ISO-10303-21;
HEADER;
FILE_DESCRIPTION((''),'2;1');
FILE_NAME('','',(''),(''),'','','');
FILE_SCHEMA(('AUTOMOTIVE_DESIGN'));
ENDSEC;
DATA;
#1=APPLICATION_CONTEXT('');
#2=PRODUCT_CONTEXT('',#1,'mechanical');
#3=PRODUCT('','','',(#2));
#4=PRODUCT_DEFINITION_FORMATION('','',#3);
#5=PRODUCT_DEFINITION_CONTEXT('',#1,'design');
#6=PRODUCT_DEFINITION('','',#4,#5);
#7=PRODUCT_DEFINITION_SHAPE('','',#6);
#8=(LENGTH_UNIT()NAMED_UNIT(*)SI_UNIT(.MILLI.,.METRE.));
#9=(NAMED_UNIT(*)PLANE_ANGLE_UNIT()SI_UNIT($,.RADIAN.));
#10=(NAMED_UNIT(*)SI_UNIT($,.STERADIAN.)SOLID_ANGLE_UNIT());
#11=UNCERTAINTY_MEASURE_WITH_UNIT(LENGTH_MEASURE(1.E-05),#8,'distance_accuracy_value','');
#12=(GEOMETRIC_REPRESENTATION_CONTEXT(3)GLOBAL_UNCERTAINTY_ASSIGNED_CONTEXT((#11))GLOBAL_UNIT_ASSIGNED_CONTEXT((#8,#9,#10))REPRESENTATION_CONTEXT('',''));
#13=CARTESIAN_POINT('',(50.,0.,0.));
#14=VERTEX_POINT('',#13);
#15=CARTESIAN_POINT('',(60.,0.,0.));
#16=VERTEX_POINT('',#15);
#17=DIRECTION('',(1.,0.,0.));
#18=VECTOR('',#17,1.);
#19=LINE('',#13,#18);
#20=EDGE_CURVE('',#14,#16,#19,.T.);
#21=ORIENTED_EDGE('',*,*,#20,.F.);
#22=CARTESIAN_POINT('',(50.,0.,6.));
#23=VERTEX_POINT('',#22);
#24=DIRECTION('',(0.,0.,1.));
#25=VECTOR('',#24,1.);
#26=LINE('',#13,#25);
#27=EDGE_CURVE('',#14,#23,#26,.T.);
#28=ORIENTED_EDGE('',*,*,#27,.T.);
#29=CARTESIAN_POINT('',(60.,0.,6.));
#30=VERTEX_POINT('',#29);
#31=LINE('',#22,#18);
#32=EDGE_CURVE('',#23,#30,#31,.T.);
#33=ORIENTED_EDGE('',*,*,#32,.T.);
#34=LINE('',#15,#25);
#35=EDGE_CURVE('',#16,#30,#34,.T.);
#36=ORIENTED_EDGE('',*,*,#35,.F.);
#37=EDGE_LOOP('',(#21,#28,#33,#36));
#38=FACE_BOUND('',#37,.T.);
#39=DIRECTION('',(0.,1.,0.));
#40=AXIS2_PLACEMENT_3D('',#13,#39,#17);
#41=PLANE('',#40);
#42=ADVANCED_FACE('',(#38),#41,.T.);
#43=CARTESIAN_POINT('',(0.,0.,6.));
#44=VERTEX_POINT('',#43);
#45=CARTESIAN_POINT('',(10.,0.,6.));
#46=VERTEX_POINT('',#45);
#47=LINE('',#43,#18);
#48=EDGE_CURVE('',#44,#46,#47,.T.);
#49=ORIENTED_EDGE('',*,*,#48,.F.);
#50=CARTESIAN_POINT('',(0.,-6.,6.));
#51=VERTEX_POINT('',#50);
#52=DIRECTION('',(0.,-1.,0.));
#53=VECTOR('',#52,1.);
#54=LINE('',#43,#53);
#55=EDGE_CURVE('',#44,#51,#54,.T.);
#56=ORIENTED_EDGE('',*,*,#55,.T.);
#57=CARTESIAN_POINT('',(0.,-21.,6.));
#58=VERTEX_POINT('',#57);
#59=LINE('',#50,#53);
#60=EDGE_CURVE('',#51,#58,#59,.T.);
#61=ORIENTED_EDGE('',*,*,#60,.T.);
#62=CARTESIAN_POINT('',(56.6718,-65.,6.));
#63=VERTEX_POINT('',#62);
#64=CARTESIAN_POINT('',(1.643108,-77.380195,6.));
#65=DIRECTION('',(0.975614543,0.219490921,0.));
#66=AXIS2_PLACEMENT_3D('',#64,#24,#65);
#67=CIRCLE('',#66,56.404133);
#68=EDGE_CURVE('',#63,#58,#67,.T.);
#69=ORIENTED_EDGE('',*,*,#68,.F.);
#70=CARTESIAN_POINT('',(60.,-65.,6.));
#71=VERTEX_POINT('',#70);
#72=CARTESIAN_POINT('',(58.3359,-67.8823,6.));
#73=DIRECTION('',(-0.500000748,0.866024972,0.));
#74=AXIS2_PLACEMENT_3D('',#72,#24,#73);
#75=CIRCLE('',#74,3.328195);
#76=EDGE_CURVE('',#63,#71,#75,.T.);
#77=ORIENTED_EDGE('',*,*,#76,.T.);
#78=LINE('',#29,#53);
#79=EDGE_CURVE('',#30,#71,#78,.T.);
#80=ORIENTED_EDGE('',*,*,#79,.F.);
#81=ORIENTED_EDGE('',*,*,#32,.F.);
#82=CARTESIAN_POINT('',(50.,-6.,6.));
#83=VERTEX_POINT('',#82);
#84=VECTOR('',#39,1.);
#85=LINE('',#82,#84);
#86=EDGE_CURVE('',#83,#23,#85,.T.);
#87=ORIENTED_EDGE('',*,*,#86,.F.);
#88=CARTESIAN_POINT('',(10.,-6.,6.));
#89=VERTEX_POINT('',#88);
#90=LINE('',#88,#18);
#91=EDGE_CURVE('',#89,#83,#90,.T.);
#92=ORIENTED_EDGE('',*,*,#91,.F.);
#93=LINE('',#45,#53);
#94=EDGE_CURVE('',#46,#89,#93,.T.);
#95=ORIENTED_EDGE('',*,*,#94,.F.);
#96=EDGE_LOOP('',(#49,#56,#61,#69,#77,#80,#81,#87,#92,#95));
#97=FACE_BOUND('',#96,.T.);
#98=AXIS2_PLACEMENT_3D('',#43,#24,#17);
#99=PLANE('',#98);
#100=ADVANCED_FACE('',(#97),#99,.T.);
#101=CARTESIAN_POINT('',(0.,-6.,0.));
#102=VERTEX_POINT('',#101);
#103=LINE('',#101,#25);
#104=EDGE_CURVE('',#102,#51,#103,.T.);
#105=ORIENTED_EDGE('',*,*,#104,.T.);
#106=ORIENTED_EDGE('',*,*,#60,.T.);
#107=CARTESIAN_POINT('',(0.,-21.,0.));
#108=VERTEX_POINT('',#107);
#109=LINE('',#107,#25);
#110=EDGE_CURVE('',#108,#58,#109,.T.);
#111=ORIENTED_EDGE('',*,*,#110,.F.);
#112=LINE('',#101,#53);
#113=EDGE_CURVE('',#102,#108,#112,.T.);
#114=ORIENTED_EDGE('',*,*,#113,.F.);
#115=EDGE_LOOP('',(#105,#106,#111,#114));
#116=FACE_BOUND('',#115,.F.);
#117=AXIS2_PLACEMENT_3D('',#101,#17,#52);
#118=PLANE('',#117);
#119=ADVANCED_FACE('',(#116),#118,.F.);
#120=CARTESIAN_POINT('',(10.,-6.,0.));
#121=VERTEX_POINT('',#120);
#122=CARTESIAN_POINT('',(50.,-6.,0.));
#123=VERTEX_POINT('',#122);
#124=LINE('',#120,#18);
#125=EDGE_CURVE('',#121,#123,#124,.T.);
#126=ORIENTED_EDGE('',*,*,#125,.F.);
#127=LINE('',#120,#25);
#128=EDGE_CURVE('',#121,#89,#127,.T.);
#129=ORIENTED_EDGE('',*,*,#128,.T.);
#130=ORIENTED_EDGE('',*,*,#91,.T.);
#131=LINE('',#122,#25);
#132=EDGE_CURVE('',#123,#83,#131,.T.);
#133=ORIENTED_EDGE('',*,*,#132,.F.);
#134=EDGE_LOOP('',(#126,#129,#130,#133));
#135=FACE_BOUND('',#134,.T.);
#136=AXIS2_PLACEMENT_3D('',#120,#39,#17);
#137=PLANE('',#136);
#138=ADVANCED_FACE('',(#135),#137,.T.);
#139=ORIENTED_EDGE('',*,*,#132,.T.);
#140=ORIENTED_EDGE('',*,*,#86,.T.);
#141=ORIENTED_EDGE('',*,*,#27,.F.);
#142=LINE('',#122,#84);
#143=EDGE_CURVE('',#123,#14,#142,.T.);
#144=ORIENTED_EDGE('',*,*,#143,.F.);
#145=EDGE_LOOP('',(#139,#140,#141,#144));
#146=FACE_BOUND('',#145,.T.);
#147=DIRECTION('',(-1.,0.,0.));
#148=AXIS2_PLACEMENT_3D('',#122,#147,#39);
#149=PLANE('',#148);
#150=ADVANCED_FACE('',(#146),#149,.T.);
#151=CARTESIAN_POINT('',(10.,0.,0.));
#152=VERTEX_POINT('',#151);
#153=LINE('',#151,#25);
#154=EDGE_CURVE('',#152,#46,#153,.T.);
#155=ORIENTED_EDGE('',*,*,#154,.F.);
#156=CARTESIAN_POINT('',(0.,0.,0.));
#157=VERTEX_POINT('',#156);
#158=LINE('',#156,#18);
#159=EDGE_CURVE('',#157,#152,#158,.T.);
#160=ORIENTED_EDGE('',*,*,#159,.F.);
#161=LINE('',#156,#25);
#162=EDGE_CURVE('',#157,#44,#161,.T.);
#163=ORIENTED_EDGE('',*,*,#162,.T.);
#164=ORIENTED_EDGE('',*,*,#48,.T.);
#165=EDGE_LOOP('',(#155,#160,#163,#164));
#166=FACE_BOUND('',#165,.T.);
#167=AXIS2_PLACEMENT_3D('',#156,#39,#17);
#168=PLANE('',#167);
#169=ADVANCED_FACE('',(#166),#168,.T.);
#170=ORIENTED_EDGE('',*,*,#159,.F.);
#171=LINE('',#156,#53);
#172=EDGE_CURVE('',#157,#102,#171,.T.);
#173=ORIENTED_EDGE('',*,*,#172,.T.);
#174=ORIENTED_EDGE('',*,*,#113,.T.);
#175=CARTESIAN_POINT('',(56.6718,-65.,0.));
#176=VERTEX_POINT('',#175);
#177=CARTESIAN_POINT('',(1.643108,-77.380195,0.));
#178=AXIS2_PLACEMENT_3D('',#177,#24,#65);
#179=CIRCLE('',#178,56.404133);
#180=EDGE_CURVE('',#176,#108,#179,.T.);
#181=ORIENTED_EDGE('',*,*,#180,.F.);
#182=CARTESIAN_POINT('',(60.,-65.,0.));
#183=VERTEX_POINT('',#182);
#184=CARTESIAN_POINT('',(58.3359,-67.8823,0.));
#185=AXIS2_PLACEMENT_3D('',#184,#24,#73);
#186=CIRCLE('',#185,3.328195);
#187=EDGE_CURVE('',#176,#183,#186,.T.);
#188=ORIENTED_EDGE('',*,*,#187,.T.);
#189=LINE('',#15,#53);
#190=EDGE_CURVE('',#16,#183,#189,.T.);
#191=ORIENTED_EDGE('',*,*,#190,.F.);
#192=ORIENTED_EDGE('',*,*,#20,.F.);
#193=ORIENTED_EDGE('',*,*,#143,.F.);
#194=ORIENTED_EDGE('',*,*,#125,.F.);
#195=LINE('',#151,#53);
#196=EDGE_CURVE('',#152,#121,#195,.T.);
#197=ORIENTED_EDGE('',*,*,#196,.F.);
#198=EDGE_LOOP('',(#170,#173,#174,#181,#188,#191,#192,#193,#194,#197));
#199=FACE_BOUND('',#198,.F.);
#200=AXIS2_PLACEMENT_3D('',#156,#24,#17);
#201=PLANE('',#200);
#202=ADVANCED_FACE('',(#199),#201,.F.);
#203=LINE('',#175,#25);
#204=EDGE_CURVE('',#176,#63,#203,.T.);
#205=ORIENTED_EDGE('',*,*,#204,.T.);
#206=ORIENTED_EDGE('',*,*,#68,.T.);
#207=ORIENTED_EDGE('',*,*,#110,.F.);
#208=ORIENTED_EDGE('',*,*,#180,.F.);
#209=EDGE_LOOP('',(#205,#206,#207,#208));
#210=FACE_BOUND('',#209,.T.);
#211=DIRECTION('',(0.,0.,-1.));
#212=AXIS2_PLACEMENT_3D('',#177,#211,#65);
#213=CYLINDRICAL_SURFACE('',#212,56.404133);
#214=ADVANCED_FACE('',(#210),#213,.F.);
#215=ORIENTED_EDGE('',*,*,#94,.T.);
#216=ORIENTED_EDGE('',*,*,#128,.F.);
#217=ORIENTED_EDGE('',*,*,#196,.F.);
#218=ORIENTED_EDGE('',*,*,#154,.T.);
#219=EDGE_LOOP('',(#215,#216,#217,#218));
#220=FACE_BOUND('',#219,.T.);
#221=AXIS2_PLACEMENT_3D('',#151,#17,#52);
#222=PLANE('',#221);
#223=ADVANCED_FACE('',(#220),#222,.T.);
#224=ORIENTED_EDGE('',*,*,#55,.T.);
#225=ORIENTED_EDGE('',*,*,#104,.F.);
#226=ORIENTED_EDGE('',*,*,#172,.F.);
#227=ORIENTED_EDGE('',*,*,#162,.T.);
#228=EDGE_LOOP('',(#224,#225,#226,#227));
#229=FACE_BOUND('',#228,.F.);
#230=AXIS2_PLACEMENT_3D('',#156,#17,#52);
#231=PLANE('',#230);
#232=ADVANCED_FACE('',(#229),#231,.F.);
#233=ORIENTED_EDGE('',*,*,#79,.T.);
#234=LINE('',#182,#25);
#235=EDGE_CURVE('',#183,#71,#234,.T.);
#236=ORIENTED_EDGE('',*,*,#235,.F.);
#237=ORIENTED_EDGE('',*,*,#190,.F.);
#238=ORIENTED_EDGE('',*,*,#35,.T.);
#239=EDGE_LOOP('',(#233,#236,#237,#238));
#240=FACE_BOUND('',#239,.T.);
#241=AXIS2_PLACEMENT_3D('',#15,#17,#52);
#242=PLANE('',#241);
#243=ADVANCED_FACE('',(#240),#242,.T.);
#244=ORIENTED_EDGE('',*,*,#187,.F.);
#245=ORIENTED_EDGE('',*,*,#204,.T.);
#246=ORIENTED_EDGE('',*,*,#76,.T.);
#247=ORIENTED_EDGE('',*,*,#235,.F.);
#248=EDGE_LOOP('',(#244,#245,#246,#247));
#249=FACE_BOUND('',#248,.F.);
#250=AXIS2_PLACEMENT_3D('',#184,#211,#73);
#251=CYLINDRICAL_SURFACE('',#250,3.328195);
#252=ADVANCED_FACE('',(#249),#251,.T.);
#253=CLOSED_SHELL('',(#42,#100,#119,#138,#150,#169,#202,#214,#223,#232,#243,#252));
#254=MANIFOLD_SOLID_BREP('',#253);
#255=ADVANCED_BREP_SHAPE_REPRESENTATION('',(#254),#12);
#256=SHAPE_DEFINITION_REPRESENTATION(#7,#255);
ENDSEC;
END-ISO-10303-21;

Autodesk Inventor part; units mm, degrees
ref_plane "YZ Plane" through (0, 0, 0) normal (1, 0, 0) x (0, 1, 0)
ref_plane "XZ Plane" through (0, 0, 0) normal (0, 1, 0) x (-1, 0, 0)
ref_plane "XY Plane" through (0, 0, 0) normal (0, 0, 1) x (1, 0, 0)
sketch "Esquisse1" plane through (0, 0, 0) normal (0, 0, 1) x (1, 0, 0)
  line L0 (60, 0) -> (60, -65)
  line L1 (0, 0) -> (0, -6)
  arc A0 (56.6718, -65) -> (60, -65) centre (58.3359, -67.8823) ccw
  line L2 (0, 0) -> (10, 0)
  line L3 (10, 0) -> (10, -6)
  line L4 (10, -6) -> (50, -6)
  line L5 (50, -6) -> (50, 0)
  line L6 (0, 0) -> (10, 0)
  line L7 (50, 0) -> (60, 0)
  line L8 (0, -6) -> (0, -21)
  arc A1 (56.6718, -65) -> (0, -21) centre (1.6431, -77.3802) ccw
  dimension "d0" = 60
  dimension "d1" = 65
  dimension "d2" = 6
  dimension "d5" = 10
  dimension "d6" = 10
  dimension "d8" = 15
extrude "Extrusion1" add sketch "Esquisse1" along normal blind 6
properties part number "roue_libre"
